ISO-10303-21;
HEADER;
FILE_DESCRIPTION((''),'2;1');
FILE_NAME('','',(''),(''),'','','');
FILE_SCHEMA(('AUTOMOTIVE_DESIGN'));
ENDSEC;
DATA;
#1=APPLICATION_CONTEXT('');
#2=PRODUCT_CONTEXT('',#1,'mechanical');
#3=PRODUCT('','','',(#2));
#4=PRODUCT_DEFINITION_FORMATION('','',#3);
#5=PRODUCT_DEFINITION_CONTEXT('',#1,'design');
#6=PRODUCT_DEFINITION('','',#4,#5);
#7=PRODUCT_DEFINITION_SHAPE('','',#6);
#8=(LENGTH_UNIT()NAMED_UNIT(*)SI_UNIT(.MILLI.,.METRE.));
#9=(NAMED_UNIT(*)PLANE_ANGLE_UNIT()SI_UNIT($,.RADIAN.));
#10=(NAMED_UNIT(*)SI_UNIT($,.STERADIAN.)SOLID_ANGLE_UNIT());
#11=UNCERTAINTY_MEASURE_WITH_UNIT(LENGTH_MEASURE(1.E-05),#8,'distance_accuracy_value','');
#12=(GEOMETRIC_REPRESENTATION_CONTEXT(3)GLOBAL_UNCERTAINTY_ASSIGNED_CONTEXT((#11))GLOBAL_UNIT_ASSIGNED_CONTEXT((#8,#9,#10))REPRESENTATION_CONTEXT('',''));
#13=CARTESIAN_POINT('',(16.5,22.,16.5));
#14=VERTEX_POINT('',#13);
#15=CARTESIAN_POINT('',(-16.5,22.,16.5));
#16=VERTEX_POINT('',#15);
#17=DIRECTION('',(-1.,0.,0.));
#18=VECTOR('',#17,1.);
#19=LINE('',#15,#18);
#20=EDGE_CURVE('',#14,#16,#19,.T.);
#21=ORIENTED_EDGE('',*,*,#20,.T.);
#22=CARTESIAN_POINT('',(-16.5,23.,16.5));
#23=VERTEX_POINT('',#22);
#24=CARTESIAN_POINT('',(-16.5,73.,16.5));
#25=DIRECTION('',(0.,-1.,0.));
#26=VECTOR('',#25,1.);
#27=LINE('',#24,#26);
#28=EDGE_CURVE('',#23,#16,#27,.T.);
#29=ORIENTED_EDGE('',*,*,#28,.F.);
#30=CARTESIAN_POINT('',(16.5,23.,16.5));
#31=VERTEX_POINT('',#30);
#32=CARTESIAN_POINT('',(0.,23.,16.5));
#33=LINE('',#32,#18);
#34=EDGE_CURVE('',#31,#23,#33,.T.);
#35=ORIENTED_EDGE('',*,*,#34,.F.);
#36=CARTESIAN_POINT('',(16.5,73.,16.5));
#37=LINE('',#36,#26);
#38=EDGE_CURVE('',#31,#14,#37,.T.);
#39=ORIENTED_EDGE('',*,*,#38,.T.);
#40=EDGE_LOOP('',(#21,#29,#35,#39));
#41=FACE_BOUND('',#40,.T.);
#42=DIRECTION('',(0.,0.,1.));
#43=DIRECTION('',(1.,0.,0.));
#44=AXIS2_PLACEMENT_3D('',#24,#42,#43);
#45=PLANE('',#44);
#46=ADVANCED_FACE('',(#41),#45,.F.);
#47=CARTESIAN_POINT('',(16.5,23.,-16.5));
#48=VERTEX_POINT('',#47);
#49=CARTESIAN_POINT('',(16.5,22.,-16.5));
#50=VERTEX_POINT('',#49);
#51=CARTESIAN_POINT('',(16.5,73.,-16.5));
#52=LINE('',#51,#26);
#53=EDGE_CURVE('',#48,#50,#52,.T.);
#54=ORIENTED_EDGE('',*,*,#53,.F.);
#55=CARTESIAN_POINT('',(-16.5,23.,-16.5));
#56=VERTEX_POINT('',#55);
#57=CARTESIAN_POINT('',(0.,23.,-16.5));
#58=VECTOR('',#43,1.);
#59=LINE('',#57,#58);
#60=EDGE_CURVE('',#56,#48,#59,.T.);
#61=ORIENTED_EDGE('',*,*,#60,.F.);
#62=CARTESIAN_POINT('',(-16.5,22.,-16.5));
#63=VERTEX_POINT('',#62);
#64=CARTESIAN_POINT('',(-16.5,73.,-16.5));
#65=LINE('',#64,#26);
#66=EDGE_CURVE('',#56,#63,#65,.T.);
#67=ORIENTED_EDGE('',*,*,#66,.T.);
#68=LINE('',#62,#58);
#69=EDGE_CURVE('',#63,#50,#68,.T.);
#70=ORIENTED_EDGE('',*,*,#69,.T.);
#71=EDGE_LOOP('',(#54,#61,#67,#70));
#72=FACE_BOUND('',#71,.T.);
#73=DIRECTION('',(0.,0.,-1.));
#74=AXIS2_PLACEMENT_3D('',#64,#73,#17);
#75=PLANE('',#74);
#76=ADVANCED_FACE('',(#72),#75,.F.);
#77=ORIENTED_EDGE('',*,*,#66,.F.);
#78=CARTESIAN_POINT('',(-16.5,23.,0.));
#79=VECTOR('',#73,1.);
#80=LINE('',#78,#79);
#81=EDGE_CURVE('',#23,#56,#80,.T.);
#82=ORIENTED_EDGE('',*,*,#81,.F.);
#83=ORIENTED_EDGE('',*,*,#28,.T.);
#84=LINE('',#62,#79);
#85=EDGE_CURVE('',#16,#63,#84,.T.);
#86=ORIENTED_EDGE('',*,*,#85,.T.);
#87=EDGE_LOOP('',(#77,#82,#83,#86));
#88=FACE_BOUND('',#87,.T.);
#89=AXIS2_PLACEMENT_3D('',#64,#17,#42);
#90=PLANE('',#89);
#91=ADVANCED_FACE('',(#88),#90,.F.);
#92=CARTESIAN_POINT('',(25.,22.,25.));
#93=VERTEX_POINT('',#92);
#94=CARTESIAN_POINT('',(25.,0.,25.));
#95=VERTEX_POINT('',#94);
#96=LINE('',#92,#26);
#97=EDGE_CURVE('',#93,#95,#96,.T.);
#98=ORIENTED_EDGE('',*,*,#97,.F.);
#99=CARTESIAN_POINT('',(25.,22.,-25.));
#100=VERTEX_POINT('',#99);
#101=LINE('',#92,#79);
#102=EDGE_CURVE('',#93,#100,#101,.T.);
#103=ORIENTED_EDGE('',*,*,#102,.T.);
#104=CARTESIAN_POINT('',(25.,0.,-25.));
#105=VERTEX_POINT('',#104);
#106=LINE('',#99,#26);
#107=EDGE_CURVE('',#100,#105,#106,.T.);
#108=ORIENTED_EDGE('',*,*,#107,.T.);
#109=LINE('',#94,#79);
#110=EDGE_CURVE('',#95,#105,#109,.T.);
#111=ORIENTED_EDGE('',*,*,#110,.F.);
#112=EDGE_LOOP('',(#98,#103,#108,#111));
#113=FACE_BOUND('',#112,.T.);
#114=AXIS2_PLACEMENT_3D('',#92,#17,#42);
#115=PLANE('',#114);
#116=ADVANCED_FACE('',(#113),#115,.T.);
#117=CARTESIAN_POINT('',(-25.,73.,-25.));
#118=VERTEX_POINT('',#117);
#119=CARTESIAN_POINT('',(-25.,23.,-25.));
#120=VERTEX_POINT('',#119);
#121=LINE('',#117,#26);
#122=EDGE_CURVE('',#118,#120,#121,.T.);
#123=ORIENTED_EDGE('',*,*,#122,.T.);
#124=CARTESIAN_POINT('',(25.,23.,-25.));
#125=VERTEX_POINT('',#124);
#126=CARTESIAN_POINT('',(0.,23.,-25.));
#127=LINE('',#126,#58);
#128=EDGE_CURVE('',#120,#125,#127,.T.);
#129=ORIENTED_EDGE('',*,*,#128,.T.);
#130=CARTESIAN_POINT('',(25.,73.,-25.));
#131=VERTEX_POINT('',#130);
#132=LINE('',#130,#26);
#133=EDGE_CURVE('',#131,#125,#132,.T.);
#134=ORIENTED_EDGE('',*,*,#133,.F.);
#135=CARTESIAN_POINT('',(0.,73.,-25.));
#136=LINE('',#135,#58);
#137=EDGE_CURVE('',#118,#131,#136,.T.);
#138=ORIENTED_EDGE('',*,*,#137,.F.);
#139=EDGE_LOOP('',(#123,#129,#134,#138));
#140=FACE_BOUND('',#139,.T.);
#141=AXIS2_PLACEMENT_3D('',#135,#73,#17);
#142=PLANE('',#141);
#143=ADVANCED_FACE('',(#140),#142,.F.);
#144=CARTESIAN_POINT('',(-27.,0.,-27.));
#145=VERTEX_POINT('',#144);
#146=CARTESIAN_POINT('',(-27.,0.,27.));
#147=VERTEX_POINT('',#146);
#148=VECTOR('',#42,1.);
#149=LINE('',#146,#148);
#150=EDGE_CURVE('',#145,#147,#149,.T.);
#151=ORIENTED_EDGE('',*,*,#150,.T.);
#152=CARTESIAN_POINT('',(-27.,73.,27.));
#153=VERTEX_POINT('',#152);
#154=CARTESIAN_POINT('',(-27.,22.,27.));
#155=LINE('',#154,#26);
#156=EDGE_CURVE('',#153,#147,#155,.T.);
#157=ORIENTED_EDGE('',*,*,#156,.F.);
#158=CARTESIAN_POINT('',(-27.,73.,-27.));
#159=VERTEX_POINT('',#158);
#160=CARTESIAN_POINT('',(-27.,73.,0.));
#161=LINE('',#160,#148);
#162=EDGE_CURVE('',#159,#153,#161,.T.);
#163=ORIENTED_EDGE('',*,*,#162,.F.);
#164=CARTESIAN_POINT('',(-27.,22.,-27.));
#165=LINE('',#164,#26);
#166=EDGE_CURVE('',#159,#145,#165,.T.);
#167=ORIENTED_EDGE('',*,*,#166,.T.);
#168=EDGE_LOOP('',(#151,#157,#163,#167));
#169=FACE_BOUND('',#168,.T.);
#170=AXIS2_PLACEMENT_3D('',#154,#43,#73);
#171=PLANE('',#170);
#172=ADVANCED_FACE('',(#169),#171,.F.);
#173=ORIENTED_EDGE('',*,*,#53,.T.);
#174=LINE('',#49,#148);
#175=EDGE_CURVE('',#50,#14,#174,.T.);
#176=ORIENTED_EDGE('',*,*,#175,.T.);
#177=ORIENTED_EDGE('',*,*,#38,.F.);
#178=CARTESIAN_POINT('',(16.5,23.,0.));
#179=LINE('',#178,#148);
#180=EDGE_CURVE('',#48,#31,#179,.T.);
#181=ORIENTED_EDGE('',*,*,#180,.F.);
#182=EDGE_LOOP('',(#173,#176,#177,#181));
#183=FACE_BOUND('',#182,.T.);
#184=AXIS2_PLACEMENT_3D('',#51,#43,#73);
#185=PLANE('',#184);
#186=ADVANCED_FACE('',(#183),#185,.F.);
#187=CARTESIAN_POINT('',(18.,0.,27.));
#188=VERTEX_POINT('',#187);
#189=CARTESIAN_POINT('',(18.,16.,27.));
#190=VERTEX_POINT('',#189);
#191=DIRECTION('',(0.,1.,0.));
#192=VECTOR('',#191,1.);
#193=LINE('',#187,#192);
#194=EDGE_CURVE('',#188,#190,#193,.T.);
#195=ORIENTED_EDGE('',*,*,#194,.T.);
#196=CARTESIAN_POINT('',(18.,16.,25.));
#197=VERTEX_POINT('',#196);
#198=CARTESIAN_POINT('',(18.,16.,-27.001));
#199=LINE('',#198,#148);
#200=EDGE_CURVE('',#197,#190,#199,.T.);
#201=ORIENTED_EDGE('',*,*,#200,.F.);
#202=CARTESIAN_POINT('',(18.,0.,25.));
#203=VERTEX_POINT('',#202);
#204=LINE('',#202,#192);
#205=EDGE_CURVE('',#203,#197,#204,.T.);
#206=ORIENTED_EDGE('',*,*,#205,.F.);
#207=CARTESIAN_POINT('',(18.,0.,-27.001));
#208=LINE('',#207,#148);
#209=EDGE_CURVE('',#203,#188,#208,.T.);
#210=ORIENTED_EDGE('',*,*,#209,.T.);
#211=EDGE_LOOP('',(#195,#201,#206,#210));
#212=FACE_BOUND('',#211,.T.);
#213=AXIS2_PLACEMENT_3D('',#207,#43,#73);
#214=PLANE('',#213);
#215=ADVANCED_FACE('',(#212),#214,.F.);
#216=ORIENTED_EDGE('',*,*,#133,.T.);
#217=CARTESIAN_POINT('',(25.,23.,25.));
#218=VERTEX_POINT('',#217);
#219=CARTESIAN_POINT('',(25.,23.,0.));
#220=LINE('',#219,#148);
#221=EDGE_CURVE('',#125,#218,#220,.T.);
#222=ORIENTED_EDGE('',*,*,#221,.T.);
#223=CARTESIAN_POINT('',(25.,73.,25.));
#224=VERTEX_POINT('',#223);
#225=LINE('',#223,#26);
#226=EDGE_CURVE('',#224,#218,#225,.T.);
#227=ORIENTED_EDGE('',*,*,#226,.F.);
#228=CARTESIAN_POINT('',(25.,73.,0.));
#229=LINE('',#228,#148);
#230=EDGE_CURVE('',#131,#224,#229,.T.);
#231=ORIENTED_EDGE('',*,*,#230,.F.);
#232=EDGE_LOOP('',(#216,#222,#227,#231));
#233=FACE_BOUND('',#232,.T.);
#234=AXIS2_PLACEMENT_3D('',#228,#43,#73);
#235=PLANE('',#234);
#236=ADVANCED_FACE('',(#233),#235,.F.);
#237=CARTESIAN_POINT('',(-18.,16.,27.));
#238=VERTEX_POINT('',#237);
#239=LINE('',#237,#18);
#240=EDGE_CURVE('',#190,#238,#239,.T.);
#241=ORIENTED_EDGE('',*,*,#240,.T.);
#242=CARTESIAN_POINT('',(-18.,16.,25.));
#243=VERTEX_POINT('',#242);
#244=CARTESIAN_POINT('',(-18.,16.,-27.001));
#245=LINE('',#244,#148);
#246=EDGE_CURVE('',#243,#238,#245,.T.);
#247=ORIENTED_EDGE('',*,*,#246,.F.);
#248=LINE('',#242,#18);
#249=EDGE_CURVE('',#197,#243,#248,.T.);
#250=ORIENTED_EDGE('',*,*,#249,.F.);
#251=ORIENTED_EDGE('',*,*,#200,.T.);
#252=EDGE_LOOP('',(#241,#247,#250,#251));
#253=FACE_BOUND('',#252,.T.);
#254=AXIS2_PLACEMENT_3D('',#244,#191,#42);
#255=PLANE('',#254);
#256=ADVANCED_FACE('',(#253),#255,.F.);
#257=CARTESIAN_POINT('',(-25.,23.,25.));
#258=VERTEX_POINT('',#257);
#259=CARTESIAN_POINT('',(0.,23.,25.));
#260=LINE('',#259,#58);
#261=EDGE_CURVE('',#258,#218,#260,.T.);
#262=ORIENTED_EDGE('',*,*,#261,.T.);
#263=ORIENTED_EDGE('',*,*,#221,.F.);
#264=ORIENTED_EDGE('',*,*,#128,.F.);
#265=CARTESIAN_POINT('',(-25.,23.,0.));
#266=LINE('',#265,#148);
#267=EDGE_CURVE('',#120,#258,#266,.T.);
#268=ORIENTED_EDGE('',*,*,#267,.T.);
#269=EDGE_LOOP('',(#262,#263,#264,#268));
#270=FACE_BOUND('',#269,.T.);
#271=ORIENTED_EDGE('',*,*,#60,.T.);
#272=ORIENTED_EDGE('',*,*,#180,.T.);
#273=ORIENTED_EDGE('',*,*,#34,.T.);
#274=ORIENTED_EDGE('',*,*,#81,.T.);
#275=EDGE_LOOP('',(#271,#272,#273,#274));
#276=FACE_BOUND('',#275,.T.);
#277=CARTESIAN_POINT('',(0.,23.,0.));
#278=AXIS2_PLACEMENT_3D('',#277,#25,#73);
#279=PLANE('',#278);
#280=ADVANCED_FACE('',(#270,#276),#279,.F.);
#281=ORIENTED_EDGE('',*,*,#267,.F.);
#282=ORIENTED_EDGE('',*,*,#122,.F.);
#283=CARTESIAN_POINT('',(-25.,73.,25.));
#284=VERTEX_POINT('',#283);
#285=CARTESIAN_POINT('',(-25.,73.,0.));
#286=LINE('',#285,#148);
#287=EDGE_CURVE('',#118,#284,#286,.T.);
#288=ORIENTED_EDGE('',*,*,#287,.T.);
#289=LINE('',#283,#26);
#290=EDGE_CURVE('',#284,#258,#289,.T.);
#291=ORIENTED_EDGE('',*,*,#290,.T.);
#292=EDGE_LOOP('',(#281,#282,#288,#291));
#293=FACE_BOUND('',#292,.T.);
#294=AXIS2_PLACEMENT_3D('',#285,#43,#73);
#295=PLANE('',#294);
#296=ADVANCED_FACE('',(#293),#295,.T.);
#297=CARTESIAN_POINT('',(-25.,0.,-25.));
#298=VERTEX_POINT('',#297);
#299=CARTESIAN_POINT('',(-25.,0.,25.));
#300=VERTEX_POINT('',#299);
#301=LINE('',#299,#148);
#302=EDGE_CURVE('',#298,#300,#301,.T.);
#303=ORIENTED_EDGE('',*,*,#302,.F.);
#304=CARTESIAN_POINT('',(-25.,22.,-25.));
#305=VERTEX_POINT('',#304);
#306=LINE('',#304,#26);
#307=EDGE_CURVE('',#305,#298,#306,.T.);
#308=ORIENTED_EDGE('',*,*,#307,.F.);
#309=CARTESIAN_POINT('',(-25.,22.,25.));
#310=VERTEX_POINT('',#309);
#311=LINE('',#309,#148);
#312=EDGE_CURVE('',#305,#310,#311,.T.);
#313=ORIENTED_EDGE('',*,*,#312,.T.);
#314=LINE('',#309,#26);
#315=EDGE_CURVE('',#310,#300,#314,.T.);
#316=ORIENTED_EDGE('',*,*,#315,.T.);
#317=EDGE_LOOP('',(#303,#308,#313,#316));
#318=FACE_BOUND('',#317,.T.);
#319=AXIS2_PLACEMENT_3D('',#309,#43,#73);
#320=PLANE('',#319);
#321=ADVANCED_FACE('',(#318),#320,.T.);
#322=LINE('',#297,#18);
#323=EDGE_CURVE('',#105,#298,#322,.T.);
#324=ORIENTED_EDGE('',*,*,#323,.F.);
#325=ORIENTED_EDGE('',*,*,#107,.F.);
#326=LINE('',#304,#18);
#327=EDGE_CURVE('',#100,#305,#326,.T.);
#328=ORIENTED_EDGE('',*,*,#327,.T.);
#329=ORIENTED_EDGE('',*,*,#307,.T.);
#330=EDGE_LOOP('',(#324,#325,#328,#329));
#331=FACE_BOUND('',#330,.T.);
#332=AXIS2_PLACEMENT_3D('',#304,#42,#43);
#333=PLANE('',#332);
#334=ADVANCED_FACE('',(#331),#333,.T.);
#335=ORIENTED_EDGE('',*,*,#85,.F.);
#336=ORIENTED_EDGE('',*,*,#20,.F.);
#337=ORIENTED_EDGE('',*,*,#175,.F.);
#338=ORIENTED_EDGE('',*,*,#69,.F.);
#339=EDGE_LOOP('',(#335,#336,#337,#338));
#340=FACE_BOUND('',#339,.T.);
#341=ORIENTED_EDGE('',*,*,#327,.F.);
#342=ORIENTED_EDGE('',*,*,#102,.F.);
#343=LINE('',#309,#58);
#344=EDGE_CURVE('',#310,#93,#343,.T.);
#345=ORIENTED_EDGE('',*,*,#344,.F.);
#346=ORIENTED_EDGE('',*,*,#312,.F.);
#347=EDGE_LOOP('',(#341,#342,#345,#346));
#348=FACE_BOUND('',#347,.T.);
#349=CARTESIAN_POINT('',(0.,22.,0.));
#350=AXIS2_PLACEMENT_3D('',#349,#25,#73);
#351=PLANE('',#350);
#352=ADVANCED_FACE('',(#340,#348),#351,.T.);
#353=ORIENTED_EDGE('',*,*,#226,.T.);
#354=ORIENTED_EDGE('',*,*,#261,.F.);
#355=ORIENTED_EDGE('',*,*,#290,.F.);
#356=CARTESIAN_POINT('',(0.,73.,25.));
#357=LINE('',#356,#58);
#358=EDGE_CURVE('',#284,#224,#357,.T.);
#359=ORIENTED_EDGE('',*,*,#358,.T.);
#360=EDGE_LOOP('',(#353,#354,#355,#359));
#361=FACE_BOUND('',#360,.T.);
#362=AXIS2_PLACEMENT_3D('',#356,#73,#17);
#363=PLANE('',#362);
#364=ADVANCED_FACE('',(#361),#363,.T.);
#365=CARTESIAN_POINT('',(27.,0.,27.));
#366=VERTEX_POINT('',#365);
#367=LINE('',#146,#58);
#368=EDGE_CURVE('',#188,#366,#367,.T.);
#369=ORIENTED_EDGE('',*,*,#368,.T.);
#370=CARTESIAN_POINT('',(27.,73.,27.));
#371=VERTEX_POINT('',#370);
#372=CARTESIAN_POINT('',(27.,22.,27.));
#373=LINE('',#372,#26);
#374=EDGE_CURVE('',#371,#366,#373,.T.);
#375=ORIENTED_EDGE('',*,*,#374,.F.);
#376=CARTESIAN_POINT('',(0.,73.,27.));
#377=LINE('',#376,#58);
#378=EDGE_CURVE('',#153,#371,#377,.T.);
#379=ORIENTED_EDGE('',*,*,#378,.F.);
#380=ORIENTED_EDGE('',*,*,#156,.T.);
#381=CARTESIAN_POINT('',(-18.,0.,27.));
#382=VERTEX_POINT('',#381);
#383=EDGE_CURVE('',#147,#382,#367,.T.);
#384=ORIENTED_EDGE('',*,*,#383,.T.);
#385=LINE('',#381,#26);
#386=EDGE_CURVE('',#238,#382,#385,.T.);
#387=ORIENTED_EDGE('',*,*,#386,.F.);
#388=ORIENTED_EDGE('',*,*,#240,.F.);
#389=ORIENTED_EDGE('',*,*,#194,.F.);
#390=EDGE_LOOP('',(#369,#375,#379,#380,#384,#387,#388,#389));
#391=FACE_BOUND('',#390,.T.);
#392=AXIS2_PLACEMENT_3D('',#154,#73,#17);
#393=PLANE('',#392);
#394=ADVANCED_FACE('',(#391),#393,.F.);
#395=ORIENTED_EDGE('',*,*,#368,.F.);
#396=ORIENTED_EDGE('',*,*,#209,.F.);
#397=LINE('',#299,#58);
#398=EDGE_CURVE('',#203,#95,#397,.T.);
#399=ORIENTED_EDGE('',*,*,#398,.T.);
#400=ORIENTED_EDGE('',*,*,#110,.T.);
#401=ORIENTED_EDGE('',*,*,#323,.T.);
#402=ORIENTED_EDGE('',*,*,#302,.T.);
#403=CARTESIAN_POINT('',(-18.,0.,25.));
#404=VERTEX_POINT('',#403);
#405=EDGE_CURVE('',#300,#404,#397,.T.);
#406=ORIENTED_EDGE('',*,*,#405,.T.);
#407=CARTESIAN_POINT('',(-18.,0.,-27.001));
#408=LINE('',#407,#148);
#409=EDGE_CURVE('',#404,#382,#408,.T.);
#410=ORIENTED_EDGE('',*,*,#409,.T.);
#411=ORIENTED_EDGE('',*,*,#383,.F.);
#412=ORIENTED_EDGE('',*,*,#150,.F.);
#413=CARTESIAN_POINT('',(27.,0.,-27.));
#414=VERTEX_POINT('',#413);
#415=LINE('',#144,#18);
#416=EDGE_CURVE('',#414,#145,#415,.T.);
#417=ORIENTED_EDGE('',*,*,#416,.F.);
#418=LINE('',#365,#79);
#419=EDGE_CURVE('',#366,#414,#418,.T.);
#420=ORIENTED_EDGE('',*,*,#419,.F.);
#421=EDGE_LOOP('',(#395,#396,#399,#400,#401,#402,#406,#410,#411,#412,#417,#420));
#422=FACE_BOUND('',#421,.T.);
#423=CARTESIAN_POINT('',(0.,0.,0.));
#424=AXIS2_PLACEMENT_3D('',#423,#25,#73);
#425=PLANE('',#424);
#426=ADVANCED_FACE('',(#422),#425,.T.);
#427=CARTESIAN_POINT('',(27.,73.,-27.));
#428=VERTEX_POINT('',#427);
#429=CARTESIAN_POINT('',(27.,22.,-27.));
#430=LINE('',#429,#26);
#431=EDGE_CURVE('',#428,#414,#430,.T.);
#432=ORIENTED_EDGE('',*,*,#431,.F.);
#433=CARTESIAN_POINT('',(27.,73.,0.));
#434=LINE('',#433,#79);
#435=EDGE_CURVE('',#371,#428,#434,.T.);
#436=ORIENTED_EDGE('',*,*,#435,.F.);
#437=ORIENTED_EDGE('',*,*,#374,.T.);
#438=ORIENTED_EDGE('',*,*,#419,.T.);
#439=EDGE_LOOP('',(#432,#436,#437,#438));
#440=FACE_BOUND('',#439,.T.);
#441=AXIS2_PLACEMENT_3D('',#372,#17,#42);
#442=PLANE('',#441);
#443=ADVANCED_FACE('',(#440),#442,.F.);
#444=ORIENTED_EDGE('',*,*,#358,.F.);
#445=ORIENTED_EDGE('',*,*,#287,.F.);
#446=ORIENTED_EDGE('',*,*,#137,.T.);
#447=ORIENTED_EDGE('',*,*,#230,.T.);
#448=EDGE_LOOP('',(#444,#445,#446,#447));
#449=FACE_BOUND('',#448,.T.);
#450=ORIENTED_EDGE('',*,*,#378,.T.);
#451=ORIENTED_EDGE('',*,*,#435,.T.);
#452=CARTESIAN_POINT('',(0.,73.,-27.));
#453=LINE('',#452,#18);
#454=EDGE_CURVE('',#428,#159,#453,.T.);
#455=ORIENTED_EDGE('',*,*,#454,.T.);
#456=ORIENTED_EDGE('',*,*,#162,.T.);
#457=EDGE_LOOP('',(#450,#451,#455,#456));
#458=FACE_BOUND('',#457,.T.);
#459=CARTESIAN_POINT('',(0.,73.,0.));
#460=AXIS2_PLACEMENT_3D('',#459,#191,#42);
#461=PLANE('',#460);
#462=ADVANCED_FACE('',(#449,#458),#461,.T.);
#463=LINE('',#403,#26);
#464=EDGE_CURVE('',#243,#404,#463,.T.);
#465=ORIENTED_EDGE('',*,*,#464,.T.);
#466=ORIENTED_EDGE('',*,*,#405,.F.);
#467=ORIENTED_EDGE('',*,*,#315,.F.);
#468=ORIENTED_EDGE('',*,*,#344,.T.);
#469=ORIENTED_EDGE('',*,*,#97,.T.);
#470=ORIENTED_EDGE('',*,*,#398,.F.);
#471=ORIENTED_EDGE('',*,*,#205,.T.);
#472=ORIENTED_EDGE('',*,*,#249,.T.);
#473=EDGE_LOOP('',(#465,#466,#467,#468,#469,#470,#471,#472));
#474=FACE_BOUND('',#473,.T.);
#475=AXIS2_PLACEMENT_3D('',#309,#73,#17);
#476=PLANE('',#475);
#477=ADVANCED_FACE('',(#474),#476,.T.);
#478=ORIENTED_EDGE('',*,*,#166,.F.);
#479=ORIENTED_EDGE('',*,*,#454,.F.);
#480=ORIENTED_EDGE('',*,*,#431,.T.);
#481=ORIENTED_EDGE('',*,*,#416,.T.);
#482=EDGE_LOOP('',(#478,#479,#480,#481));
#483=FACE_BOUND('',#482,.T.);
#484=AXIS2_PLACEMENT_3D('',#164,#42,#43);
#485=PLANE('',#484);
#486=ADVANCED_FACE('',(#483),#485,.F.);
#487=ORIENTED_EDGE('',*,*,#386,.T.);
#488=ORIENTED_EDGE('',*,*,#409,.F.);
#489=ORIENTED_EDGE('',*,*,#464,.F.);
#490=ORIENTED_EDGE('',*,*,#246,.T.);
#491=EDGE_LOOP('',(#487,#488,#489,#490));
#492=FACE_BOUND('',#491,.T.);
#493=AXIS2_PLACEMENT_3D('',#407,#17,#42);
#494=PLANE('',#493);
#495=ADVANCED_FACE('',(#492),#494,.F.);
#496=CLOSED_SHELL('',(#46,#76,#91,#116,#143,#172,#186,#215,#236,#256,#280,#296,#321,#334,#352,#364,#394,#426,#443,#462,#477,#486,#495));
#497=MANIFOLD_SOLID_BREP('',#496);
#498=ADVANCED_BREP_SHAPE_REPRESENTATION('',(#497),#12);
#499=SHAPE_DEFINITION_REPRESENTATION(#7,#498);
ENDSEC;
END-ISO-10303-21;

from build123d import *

# Parameters (mm, degrees)
SKETCH1_W           = 54
SKETCH1_H           = 54
SKETCH1_W_2         = 50
SKETCH1_H_2         = 50
BOSS_EXTRUDE1_DEPTH = 22
SKETCH2_W           = 54
SKETCH2_H           = 54
BOSS_EXTRUDE2_DEPTH = 1
SKETCH3_R           = 6
CUT_EXTRUDE1_DEPTH  = 24
SKETCH4_W           = 2
SKETCH4_H           = 50
SKETCH4_H_2         = 2
SKETCH4_W_2         = 50
BOSS_EXTRUDE3_DEPTH = 50
SKETCH5_W           = 33
SKETCH5_H           = 33
CUT_EXTRUDE2_DEPTH  = 52
CUT_EXTRUDE3_REACH  = 56
SKETCH6_W           = 36
SKETCH6_H           = 16


with BuildPart() as part:
    # Sketch1 → Boss-Extrude1 (new body)
    with BuildSketch(Plane(origin=(0, 0, 0), x_dir=(1, 0, 0), z_dir=(0, 1, 0))):
        Rectangle(SKETCH1_W, SKETCH1_H)
        Rectangle(SKETCH1_W_2, SKETCH1_H_2, mode=Mode.SUBTRACT)
    extrude(amount=BOSS_EXTRUDE1_DEPTH)

    # Sketch2 → Boss-Extrude2 (add)
    with BuildSketch(Plane(origin=(0, 22, 0), x_dir=(1, 0, 0), z_dir=(0, 1, 0))):
        Rectangle(SKETCH2_W, SKETCH2_H)
    extrude(amount=BOSS_EXTRUDE2_DEPTH)

    # Sketch3 → Cut-Extrude1 (cut, through all)
    with BuildSketch(Plane(origin=(0, 23, 0), x_dir=(1, 0, 0), z_dir=(0, 1, 0))):
        Circle(SKETCH3_R)
    extrude(amount=-CUT_EXTRUDE1_DEPTH, mode=Mode.SUBTRACT)

    # Sketch4 → Boss-Extrude3 (add)
    with BuildSketch(Plane(origin=(0, 23, 0), x_dir=(1, 0, 0), z_dir=(0, 1, 0))):
        with Locations((-26, 0)):
            Rectangle(SKETCH4_W, SKETCH4_H)
        with Locations((-26, -26)):
            Rectangle(SKETCH4_W, SKETCH4_H_2)
        with Locations((0, -26)):
            Rectangle(SKETCH4_W_2, SKETCH4_H_2)
        with Locations((26, -26)):
            Rectangle(SKETCH4_W, SKETCH4_H_2)
        with Locations((26, 0)):
            Rectangle(SKETCH4_W, SKETCH4_H)
        with Locations((26, 26)):
            Rectangle(SKETCH4_W, SKETCH4_H_2)
        with Locations((0, 26)):
            Rectangle(SKETCH4_W_2, SKETCH4_H_2)
        with Locations((-26, 26)):
            Rectangle(SKETCH4_W, SKETCH4_H_2)
    extrude(amount=BOSS_EXTRUDE3_DEPTH)

    # Sketch5 → Cut-Extrude2 (cut, through all)
    with BuildSketch(Plane.XZ.offset(-22)):
        Rectangle(SKETCH5_W, SKETCH5_H)
    extrude(amount=-CUT_EXTRUDE2_DEPTH, mode=Mode.SUBTRACT)

    # Sketch6 → Cut-Extrude3 (cut, up to next)
    with BuildSketch(Plane.XY.offset(27), mode=Mode.PRIVATE) as cut_extrude3_sk1:
        with Locations((0, 8)):
            Rectangle(SKETCH6_W, SKETCH6_H)
    cut_extrude3_tool1 = extrude(cut_extrude3_sk1.sketch, amount=-CUT_EXTRUDE3_REACH, mode=Mode.PRIVATE) & part.part
    add(cut_extrude3_tool1.solids().sort_by_distance((0, 8, 27))[0], mode=Mode.SUBTRACT)


solid = part.part
